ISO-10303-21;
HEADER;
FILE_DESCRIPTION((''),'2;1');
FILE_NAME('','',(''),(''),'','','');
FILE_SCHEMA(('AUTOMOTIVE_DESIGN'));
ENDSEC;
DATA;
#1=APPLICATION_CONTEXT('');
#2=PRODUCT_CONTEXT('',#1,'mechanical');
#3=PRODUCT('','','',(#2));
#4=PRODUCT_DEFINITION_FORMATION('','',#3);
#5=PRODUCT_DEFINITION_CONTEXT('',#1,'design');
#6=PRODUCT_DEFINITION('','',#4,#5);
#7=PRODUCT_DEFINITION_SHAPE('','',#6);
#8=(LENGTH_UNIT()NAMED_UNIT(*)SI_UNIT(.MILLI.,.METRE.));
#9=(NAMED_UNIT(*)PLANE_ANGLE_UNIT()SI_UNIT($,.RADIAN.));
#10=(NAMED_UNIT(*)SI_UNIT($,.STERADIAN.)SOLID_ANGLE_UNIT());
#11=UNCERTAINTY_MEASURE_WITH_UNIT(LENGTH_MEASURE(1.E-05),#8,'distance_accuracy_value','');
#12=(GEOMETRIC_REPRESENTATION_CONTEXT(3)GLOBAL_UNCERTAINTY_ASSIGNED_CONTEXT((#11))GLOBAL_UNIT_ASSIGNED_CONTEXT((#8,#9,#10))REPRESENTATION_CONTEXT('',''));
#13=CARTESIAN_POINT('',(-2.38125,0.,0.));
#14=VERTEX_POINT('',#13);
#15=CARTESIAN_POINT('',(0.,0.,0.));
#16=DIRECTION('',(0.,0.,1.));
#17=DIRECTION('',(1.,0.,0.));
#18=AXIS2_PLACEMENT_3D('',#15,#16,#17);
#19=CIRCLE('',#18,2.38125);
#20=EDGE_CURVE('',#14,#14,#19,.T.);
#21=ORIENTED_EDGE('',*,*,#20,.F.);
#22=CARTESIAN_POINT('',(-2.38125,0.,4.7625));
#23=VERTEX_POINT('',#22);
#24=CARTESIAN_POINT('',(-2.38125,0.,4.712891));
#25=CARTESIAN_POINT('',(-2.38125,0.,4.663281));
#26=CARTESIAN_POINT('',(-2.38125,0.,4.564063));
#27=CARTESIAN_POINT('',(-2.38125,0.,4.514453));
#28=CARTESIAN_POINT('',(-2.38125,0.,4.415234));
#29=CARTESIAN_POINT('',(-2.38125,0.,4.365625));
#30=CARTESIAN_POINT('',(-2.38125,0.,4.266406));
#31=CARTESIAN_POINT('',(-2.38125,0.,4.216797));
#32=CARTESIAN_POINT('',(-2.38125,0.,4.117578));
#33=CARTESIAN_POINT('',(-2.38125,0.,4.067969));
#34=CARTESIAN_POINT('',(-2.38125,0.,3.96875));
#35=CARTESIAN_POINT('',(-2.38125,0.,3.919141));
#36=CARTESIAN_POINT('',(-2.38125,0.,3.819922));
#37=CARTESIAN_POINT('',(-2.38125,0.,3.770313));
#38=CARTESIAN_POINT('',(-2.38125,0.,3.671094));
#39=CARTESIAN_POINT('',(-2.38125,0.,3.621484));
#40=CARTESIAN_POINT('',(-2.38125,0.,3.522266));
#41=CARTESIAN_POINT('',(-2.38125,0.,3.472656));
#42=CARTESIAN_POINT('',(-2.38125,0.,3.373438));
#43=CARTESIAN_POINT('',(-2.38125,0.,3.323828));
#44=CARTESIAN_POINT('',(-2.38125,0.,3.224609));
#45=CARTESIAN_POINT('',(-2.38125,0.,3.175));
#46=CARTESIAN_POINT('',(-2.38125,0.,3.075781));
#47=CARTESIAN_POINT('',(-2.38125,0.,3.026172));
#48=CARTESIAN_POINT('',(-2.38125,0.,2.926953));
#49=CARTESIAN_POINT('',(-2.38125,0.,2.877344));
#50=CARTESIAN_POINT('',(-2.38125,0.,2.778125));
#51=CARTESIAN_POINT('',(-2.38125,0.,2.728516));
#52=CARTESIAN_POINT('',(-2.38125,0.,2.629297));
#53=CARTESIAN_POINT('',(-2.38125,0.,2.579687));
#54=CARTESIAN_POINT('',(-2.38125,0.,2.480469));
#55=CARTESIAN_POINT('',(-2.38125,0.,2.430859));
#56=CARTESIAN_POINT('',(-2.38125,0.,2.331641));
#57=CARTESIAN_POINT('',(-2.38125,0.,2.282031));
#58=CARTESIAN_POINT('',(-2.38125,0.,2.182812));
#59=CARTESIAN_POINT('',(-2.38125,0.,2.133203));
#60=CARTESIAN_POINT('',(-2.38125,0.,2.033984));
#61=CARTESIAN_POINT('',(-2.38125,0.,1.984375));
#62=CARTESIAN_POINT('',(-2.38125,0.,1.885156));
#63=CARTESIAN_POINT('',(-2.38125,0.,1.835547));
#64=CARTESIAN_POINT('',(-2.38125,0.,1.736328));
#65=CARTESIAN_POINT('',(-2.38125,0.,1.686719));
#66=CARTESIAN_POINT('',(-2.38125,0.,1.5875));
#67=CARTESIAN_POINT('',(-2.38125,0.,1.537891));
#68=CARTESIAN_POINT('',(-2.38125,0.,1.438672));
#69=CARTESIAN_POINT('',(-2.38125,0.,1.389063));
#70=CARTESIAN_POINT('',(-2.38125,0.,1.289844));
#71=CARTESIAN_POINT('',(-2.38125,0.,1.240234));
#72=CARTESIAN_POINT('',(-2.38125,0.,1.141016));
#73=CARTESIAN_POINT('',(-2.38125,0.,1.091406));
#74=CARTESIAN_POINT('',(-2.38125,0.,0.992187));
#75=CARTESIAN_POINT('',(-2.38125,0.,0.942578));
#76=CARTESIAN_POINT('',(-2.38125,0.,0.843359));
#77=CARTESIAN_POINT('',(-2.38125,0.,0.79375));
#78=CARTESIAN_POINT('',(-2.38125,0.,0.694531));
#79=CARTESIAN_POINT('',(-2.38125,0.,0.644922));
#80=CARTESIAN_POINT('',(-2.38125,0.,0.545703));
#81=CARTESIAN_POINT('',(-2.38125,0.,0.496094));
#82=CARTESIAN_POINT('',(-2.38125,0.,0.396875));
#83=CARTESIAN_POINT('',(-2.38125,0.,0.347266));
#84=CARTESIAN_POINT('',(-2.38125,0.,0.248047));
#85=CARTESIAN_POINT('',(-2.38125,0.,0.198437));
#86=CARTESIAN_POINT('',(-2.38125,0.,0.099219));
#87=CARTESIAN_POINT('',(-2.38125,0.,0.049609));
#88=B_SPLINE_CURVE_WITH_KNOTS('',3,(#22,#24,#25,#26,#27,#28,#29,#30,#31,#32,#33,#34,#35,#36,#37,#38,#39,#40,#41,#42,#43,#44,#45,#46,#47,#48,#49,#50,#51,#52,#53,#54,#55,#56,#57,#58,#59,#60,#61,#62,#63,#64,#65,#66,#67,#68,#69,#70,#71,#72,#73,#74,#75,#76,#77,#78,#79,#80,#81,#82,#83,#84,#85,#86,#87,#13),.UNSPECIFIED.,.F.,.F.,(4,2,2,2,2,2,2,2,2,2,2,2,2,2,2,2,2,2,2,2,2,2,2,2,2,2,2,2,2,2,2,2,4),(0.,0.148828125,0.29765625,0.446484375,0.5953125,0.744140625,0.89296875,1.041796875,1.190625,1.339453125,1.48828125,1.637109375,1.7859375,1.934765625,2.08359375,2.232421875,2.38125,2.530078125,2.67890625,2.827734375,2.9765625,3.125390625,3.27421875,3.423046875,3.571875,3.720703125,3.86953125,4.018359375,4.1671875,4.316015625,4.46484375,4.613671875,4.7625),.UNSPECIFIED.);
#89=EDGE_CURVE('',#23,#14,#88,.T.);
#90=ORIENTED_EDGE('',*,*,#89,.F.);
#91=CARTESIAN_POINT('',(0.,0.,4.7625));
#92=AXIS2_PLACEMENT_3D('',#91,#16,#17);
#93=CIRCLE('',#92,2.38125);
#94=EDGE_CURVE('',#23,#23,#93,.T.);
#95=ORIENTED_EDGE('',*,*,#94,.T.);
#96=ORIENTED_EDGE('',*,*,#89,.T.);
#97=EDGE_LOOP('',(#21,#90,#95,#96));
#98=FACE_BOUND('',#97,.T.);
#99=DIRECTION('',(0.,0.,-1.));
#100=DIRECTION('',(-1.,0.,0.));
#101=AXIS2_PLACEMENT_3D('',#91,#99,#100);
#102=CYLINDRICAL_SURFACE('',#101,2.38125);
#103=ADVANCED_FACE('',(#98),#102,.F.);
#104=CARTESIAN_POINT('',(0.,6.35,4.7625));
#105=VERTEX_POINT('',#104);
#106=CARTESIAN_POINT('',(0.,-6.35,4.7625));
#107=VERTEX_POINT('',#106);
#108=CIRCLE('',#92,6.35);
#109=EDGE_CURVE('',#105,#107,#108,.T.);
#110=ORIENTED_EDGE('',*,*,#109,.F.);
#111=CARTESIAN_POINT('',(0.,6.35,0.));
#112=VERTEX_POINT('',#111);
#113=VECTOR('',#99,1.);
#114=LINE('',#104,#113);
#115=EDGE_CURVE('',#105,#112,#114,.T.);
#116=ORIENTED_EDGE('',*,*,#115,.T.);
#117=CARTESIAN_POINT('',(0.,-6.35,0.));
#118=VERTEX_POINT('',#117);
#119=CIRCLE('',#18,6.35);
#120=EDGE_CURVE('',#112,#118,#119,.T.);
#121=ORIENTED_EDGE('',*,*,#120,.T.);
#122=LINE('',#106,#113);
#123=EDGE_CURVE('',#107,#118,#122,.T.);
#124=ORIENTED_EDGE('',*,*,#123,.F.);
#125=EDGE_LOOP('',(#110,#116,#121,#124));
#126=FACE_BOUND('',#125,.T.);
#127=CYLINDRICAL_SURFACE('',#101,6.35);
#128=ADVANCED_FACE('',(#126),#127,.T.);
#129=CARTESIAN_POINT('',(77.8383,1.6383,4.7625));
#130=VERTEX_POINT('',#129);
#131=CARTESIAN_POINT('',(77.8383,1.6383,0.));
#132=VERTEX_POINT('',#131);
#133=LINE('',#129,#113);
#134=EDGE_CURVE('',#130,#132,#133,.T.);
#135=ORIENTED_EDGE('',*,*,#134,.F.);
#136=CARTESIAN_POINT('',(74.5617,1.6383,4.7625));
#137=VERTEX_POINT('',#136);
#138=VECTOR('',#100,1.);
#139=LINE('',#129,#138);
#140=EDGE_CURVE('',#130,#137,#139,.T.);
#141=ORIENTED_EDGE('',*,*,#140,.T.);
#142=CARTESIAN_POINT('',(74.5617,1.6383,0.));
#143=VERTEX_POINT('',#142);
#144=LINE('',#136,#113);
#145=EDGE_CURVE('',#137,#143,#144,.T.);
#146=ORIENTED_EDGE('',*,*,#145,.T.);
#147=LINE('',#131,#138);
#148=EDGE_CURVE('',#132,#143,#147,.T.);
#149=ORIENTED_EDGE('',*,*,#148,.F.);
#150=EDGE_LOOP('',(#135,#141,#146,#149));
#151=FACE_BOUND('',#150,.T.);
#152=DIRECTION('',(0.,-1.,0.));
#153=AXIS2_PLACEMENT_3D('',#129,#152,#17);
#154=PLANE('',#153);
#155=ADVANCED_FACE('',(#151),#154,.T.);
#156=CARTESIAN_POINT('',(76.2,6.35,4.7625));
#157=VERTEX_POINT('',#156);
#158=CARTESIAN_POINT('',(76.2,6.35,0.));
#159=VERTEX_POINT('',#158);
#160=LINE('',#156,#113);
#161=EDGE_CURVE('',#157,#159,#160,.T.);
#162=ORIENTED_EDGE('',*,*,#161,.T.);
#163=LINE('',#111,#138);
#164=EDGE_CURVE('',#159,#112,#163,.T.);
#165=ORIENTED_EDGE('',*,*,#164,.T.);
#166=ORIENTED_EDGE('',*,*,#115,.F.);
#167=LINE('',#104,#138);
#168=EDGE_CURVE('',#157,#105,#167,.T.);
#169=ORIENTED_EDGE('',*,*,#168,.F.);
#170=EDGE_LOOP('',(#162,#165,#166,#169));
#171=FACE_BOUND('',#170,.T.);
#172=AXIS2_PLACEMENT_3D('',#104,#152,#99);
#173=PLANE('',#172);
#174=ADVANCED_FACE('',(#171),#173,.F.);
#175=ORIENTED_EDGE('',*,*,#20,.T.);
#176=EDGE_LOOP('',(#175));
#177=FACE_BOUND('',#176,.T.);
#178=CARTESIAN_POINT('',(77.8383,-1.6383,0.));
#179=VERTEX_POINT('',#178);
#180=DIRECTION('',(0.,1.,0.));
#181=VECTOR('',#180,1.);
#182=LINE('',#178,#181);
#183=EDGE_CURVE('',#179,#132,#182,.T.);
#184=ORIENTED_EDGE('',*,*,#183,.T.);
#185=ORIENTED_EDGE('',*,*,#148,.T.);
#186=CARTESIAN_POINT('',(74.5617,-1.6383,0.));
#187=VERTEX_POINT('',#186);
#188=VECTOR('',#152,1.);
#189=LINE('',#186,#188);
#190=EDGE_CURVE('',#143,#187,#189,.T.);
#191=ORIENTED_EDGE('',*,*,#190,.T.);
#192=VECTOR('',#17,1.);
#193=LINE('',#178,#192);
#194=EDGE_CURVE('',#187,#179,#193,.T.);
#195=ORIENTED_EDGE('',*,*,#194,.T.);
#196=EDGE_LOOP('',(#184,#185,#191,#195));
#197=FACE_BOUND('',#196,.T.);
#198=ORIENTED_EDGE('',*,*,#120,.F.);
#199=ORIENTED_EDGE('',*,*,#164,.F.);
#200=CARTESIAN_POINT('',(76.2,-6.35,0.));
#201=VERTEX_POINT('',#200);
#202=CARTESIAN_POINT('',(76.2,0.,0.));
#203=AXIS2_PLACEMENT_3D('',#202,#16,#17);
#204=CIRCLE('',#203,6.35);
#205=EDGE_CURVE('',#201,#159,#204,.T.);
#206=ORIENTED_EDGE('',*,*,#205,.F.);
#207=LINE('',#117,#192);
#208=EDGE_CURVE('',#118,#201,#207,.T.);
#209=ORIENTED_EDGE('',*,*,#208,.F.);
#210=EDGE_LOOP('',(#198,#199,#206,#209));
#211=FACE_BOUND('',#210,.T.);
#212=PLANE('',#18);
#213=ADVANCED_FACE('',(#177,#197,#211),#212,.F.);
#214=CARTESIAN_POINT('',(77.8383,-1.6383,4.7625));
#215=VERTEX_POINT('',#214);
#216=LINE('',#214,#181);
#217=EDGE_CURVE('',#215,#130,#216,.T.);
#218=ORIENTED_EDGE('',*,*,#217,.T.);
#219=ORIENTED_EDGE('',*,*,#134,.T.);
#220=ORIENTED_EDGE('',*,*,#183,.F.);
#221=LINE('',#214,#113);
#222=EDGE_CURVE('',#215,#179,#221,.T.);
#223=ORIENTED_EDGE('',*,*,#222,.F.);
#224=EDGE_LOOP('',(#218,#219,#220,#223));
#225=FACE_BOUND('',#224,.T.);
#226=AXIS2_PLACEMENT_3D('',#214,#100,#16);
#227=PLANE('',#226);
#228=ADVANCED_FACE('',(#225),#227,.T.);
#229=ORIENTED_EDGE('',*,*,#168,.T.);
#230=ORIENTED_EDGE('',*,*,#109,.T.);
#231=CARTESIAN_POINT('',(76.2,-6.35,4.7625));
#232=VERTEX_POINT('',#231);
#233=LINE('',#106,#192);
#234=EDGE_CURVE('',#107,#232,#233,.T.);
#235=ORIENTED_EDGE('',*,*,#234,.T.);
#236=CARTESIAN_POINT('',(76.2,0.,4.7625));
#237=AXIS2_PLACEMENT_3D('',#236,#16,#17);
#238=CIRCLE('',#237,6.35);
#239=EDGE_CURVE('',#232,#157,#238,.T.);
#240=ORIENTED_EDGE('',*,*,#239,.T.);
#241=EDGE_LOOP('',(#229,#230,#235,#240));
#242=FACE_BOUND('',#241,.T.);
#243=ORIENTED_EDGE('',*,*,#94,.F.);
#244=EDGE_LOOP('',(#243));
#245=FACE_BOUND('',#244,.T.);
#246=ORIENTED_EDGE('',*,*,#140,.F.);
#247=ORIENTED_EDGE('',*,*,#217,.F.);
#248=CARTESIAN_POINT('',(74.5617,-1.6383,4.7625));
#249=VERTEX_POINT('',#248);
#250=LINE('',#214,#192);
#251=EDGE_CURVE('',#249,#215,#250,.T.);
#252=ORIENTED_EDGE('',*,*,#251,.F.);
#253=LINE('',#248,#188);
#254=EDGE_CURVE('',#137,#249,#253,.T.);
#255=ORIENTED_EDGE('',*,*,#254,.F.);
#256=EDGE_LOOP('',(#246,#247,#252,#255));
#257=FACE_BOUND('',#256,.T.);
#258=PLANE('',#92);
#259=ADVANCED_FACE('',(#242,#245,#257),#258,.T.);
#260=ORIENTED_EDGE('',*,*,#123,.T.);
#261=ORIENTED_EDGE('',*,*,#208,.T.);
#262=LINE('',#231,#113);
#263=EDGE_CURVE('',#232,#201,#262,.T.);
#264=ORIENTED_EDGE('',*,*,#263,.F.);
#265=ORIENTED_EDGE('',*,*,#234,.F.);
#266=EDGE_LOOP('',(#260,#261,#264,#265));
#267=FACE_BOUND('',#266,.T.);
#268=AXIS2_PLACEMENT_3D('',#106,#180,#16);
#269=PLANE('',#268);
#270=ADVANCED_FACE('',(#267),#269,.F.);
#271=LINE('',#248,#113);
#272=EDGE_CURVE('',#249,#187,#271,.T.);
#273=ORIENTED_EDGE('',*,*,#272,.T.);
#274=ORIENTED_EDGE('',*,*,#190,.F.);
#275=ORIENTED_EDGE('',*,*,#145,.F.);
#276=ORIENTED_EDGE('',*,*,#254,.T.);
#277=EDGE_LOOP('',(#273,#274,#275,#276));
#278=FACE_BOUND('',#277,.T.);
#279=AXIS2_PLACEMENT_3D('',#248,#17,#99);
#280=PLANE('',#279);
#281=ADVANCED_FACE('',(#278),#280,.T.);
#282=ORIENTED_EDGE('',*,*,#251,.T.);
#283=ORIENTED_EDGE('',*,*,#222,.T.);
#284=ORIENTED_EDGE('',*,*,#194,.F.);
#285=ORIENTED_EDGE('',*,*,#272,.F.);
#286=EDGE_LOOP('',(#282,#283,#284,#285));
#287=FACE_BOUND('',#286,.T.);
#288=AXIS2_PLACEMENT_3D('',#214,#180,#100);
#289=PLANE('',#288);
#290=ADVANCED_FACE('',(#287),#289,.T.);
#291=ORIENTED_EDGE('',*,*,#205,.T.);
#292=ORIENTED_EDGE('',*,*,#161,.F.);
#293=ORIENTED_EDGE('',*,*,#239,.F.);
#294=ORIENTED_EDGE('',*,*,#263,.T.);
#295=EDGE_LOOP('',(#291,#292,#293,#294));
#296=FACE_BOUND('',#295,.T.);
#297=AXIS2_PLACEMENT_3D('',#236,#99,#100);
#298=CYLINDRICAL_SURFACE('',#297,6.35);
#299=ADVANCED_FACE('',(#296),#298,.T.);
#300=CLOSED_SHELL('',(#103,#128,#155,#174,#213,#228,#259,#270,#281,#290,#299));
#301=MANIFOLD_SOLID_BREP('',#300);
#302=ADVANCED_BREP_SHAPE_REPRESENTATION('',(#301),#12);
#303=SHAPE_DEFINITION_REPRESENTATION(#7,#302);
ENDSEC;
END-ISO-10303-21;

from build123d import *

# Parameters (mm, degrees)
SKETCH1_R           = 2.38125
SKETCH1_W           = 3.2766
SKETCH1_H           = 3.2766
BOSS_EXTRUDE1_DEPTH = 4.7625


with BuildPart() as part:
    # Sketch1 → Boss-Extrude1 (new body)
    with BuildSketch(Plane.XY):
        with BuildLine():
            Line((0, 6.35), (76.2, 6.35))
            ThreePointArc((76.2, 6.35), (82.55, 0), (76.2, -6.35))
            Line((76.2, -6.35), (0, -6.35))
            ThreePointArc((0, -6.35), (-6.35, 0), (0, 6.35))
        make_face()
        with Locations(Location((0, 0, 0), (0, 0, 180))):
            Circle(SKETCH1_R, mode=Mode.SUBTRACT)
        with Locations((76.2, 0)):
            Rectangle(SKETCH1_W, SKETCH1_H, mode=Mode.SUBTRACT)
    extrude(amount=BOSS_EXTRUDE1_DEPTH)


solid = part.part
